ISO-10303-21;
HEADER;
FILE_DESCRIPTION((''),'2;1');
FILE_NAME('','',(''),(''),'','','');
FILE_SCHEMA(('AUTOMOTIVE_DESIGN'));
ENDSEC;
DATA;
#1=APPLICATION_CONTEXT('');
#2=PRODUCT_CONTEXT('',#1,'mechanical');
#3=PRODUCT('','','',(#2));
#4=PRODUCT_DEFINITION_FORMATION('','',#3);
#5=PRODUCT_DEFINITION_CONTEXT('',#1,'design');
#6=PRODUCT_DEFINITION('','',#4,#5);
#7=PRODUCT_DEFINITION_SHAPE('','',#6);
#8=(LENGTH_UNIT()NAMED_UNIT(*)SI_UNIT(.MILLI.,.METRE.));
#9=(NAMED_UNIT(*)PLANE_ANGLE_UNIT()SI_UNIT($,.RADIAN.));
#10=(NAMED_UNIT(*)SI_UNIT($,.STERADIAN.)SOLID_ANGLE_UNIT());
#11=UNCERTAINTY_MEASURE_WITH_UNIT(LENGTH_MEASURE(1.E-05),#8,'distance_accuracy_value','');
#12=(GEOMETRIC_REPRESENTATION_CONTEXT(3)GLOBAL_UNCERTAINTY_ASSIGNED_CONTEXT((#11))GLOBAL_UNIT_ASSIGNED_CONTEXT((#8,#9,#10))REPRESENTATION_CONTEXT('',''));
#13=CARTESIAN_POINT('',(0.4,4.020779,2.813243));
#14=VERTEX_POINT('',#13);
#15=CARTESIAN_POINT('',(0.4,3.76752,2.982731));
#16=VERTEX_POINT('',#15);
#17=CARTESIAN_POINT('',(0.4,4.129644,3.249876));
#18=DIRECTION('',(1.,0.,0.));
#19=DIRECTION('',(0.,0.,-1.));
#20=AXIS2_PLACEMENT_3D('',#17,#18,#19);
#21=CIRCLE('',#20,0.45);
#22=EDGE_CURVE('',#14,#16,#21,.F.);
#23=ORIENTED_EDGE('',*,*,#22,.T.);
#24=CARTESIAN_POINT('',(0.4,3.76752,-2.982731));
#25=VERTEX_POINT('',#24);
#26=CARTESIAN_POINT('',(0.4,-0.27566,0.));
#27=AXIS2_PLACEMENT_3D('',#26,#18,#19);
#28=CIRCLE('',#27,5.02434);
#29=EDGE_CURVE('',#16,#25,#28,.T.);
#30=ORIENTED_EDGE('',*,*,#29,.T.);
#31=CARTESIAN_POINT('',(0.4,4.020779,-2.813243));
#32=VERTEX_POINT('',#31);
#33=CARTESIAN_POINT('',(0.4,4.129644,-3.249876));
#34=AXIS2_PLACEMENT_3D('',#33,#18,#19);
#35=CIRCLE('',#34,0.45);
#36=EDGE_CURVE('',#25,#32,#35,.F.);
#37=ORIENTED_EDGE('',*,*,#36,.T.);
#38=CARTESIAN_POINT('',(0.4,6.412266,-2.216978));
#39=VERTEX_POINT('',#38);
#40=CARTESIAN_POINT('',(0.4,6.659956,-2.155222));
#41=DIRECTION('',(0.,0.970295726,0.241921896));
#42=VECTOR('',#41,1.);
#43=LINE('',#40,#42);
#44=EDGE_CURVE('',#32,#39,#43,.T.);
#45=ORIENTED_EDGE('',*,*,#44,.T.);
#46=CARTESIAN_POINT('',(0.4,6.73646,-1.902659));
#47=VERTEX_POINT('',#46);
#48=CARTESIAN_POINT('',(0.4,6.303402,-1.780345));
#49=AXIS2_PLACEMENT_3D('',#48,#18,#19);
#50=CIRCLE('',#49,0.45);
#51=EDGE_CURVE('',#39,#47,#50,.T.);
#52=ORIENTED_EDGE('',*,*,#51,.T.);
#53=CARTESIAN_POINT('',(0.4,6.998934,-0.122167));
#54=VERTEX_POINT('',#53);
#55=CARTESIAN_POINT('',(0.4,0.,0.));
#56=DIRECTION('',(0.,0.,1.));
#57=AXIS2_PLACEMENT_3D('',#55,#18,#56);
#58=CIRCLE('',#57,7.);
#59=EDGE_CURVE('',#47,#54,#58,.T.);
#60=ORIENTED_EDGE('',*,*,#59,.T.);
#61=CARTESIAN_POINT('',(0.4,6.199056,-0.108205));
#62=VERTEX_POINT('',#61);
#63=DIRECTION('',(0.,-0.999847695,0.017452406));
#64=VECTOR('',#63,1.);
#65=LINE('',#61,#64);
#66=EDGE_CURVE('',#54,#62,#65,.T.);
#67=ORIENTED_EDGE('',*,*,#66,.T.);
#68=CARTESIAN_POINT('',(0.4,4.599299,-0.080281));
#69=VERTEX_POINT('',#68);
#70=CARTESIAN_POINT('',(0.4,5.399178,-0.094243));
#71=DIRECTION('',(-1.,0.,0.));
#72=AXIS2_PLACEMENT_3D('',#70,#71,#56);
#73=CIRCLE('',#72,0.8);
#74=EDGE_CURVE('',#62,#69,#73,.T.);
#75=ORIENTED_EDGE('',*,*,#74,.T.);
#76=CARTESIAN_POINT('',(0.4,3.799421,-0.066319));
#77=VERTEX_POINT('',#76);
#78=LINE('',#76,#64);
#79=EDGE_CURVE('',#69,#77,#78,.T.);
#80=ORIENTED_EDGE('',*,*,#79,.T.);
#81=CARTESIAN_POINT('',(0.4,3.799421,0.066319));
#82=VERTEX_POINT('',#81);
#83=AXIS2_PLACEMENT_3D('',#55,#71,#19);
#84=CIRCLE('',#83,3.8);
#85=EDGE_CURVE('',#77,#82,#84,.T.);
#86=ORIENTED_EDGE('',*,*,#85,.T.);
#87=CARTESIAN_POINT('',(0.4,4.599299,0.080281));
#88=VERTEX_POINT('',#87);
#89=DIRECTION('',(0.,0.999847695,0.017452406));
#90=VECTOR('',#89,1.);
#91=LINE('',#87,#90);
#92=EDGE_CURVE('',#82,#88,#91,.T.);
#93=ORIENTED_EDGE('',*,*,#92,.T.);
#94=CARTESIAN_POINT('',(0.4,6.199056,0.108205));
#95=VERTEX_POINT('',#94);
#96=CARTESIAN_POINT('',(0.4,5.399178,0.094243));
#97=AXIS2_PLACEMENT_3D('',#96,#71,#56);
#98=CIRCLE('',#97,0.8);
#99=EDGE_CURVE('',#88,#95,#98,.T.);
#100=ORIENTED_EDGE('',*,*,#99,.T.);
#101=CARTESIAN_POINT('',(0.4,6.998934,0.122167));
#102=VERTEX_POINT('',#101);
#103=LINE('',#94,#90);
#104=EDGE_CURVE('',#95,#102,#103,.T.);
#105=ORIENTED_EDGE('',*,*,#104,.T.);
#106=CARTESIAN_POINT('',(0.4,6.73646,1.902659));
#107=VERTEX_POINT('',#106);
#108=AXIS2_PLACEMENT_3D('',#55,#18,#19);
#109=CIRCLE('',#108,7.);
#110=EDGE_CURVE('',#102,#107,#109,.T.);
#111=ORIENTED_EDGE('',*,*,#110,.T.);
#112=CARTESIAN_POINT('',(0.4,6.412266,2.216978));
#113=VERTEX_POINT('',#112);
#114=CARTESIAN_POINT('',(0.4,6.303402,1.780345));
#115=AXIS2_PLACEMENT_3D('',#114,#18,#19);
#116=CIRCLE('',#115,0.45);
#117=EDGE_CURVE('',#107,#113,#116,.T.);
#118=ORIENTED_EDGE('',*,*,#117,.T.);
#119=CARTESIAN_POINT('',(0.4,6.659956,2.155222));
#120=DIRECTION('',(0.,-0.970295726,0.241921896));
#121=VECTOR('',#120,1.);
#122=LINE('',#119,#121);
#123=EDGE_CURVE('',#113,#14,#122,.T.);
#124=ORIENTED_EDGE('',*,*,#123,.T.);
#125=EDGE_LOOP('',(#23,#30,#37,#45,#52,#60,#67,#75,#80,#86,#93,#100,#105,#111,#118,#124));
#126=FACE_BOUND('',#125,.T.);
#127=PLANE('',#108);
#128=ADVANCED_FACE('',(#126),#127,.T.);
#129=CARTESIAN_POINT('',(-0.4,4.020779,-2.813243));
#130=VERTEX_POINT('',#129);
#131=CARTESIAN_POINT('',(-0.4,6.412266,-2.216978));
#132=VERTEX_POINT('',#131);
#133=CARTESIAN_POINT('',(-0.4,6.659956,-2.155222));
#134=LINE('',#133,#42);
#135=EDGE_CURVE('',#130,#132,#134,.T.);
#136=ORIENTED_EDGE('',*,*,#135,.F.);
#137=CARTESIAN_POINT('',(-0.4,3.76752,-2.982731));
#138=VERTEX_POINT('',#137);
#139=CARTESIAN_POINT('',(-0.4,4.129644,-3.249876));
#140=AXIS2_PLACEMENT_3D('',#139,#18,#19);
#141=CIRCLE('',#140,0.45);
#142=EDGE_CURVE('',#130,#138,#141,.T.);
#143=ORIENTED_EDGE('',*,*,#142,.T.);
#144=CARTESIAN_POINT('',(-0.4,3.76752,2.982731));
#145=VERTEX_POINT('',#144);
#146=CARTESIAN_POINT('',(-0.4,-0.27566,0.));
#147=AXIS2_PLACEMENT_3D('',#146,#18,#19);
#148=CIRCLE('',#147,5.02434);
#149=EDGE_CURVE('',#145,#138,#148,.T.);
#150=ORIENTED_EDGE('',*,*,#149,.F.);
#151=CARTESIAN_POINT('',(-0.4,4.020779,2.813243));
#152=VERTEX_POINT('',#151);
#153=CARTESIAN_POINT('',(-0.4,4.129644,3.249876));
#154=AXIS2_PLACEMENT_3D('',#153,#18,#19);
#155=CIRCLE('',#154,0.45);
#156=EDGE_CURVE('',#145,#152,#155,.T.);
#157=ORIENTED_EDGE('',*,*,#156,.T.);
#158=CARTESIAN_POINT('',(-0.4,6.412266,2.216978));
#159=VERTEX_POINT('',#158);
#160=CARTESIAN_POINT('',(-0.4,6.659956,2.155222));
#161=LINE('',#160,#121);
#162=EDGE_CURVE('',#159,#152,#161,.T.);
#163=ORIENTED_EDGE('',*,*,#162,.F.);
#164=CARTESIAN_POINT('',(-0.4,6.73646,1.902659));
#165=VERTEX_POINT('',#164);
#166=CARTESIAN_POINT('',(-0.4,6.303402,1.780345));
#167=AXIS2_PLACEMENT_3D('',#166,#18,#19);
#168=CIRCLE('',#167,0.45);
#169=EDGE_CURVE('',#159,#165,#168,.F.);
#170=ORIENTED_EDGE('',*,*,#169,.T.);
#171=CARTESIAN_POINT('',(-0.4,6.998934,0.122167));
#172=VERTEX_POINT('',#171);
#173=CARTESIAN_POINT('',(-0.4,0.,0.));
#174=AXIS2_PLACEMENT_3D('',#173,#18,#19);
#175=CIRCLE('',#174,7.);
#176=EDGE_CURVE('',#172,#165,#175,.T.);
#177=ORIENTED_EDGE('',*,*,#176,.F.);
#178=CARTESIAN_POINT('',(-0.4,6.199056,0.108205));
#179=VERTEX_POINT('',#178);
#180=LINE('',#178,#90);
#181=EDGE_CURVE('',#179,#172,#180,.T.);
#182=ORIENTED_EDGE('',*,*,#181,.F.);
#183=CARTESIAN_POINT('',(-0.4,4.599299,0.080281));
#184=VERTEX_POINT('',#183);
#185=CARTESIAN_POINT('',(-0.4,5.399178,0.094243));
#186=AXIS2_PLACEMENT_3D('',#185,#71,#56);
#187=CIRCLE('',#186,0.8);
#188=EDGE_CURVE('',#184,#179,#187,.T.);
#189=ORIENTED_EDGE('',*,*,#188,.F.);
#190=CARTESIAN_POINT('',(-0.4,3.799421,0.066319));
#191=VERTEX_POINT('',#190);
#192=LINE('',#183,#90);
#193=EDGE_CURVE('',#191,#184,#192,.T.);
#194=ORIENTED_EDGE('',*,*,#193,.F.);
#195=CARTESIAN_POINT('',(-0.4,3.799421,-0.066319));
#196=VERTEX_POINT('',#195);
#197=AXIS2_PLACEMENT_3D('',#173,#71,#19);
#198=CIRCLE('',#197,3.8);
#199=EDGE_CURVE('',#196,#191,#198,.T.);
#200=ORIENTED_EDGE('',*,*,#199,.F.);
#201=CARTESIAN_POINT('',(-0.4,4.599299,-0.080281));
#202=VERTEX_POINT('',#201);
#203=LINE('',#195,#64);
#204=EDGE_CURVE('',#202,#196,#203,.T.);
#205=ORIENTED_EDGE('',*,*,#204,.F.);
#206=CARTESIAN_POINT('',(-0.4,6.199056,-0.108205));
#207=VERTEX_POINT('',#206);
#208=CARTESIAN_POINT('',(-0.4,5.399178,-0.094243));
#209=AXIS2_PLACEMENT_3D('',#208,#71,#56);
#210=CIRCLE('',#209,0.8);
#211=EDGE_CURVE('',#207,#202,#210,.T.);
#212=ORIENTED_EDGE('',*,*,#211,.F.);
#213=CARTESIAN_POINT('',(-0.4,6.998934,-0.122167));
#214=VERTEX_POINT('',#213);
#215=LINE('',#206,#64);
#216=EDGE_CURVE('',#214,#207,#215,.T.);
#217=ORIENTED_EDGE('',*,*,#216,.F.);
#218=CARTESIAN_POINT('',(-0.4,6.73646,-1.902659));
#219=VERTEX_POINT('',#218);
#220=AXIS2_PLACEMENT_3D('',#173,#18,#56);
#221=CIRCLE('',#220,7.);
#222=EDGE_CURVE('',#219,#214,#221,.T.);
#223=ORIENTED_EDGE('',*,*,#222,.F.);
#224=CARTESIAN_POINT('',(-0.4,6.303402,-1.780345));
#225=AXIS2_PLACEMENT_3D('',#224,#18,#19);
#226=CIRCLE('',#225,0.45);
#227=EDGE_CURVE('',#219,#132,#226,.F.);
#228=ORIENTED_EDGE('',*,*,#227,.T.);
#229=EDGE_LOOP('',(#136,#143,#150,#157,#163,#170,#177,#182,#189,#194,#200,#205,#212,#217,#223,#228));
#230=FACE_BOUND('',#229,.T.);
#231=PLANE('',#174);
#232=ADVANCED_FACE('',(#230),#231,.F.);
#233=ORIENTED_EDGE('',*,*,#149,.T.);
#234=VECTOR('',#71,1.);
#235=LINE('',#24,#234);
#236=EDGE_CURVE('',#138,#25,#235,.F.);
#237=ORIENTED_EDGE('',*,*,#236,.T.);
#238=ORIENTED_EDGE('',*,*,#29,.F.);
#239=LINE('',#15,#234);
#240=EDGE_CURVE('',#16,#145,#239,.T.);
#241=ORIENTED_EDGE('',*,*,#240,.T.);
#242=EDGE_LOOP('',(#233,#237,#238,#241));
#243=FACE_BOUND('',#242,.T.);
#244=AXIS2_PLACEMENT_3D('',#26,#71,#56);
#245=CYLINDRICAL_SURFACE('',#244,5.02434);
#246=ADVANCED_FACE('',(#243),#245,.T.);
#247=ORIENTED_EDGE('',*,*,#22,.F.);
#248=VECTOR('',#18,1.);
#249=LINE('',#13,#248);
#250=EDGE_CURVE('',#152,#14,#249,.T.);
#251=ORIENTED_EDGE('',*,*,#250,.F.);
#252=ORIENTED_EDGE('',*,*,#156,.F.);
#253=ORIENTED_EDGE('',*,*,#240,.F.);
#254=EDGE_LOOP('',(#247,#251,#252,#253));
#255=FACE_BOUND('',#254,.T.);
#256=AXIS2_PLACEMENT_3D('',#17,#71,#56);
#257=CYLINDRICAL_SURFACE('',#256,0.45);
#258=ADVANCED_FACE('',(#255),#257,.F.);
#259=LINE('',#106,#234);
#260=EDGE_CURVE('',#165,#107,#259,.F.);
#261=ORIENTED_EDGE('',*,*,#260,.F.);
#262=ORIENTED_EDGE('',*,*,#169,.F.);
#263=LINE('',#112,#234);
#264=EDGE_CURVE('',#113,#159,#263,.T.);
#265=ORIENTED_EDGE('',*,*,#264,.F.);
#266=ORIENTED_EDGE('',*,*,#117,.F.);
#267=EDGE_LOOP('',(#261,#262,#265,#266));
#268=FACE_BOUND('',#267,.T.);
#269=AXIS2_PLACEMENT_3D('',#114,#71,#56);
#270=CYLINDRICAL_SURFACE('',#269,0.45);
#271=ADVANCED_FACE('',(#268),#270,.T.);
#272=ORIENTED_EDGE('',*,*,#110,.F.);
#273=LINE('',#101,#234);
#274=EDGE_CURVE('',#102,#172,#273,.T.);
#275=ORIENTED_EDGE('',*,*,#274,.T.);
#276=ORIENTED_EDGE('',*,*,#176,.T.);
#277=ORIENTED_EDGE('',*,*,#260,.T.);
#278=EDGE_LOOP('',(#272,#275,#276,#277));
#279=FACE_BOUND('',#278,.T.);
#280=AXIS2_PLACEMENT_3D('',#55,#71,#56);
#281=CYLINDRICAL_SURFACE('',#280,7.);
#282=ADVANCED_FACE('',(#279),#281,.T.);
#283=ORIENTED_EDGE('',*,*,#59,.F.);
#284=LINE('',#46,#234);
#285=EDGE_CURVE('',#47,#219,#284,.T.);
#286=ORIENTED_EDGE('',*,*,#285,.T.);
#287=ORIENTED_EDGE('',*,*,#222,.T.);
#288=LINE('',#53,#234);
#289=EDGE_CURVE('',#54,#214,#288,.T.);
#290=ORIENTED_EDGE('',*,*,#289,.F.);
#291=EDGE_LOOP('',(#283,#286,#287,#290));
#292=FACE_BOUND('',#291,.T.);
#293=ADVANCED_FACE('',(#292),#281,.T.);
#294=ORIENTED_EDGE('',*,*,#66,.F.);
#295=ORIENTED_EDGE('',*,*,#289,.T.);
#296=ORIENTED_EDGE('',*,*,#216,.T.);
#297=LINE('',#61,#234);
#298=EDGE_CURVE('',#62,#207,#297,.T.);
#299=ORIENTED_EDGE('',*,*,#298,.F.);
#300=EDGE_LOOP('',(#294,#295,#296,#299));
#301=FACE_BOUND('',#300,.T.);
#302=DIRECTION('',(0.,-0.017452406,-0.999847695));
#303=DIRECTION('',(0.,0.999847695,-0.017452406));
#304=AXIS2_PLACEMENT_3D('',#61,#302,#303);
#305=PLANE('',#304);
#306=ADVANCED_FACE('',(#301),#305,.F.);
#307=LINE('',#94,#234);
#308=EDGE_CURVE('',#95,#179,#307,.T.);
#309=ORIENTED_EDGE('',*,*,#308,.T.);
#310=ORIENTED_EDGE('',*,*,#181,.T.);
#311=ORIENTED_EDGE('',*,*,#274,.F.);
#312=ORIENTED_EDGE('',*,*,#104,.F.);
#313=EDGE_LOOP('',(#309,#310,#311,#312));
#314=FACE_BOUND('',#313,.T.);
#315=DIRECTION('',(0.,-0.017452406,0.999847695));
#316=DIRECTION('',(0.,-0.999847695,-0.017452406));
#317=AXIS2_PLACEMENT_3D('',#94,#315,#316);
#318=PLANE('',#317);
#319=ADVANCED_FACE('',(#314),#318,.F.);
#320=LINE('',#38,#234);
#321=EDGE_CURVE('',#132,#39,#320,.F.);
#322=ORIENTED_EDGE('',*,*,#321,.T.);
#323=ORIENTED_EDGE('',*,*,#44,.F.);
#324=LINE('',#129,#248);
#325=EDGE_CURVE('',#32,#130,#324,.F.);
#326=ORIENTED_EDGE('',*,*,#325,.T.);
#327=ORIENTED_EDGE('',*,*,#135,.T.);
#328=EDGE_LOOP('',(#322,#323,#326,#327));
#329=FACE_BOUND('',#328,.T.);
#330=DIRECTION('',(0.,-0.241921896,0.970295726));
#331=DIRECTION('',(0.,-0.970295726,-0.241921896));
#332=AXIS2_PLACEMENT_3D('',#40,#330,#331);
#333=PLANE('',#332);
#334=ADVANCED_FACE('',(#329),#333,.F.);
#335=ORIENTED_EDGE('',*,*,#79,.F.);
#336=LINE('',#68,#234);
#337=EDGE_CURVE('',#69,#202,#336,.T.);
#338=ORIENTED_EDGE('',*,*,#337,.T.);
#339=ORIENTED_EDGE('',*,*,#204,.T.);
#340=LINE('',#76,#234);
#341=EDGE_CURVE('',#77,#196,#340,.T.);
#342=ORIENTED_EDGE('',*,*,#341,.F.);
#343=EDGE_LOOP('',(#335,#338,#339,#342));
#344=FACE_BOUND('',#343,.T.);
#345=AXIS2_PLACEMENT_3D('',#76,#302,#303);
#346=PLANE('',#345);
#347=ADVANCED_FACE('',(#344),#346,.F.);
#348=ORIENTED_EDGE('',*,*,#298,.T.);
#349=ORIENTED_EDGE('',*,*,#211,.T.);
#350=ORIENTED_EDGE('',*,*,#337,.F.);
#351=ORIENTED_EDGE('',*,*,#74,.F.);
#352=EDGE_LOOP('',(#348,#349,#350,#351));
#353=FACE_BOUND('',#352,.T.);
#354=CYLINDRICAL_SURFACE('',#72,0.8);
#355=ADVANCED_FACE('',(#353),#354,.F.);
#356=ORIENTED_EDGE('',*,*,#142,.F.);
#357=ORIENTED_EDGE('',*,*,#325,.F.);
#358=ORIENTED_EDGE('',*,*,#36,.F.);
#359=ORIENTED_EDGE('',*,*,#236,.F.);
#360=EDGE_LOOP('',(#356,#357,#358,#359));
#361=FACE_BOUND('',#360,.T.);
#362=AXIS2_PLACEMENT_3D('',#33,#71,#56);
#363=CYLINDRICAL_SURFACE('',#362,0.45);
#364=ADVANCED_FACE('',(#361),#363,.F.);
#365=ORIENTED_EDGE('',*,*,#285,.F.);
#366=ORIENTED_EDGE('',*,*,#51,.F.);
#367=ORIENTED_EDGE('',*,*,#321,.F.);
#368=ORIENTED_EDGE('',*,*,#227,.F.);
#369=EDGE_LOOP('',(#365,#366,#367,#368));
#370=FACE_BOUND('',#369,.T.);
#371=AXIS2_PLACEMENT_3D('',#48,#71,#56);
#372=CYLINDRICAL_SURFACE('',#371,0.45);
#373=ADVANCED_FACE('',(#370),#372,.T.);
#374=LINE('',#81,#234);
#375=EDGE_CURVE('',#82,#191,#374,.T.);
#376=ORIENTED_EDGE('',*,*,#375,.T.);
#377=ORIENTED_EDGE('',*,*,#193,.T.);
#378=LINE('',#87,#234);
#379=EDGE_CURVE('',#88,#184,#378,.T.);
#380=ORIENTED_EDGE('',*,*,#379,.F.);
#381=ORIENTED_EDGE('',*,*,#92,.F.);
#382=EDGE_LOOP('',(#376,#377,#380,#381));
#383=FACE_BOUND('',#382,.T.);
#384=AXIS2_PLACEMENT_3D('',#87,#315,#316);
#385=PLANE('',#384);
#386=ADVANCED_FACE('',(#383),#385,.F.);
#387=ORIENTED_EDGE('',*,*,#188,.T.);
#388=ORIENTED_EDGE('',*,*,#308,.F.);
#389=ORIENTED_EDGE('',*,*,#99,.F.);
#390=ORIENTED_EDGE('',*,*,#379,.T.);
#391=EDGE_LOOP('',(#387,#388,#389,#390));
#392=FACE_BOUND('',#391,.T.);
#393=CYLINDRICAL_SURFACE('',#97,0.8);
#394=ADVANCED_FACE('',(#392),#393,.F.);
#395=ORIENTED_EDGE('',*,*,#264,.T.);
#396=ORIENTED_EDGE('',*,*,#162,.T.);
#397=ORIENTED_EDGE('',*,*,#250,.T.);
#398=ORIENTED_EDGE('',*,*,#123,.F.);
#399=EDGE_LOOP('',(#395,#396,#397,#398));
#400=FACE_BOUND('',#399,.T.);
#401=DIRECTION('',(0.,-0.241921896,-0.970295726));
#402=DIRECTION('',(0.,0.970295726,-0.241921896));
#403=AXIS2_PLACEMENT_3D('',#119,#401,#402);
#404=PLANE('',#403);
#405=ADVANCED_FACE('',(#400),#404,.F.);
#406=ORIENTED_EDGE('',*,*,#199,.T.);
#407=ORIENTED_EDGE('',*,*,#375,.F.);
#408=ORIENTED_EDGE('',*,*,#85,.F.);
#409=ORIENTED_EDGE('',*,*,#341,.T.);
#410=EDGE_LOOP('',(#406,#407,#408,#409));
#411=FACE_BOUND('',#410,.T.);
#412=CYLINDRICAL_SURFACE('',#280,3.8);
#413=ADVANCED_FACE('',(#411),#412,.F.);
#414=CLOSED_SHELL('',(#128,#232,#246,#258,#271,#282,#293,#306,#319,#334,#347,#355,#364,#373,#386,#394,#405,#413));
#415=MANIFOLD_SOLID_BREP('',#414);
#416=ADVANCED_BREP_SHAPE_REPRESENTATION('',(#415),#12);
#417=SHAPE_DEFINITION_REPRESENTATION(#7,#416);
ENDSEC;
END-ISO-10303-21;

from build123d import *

# Parameters (mm, degrees)
EXTRUDE1_DEPTH = 0.4
FILLET1_R      = 0.45


with BuildPart() as part:
    # Sketch1 → Extrude1 (new body, symmetric)
    with BuildSketch(Plane(origin=(0, 0, 0), x_dir=(0, 0, -1), z_dir=(1, 0, 0))):
        with BuildLine():
            Line((0.066319144, 3.799421242), (0.08028107, 4.599299398))
            ThreePointArc((0.08028107, 4.599299398), (0.894121151, 5.385215629), (0.10820492, 6.19905571))
            Line((0.10820492, 6.19905571), (0.122166845, 6.998933866))
            ThreePointArc((0.122166845, 6.998933866), (1.151239086, 6.904683089), (2.155222001, 6.659956316))
            Line((2.155222001, 6.659956316), (2.853372649, 3.859827007))
            ThreePointArc((2.853372649, 3.859827007), (0, -5.3), (-2.853372649, 3.859827007))
            Line((-2.853372649, 3.859827007), (-2.155222001, 6.659956316))
            ThreePointArc((-2.155222001, 6.659956316), (-1.151239086, 6.904683089), (-0.122166845, 6.998933866))
            Line((-0.122166845, 6.998933866), (-0.10820492, 6.19905571))
            ThreePointArc((-0.10820492, 6.19905571), (-0.894121151, 5.385215629), (-0.08028107, 4.599299398))
            Line((-0.08028107, 4.599299398), (-0.066319144, 3.799421242))
            ThreePointArc((-0.066319144, 3.799421242), (0, -3.8), (0.066319144, 3.799421242))
        make_face()
    extrude(amount=EXTRUDE1_DEPTH, both=True)

    # Fillet1
    fillet1_edges = [part.edges().sort_by_distance(p)[0] for p in [
        (0, 6.659956316, -2.155222001),
        (0, 3.859827007, -2.853372649),
        (0, 3.859827007, 2.853372649),
        (0, 6.659956316, 2.155222001),
    ]]
    fillet(fillet1_edges, radius=FILLET1_R)


solid = part.part
